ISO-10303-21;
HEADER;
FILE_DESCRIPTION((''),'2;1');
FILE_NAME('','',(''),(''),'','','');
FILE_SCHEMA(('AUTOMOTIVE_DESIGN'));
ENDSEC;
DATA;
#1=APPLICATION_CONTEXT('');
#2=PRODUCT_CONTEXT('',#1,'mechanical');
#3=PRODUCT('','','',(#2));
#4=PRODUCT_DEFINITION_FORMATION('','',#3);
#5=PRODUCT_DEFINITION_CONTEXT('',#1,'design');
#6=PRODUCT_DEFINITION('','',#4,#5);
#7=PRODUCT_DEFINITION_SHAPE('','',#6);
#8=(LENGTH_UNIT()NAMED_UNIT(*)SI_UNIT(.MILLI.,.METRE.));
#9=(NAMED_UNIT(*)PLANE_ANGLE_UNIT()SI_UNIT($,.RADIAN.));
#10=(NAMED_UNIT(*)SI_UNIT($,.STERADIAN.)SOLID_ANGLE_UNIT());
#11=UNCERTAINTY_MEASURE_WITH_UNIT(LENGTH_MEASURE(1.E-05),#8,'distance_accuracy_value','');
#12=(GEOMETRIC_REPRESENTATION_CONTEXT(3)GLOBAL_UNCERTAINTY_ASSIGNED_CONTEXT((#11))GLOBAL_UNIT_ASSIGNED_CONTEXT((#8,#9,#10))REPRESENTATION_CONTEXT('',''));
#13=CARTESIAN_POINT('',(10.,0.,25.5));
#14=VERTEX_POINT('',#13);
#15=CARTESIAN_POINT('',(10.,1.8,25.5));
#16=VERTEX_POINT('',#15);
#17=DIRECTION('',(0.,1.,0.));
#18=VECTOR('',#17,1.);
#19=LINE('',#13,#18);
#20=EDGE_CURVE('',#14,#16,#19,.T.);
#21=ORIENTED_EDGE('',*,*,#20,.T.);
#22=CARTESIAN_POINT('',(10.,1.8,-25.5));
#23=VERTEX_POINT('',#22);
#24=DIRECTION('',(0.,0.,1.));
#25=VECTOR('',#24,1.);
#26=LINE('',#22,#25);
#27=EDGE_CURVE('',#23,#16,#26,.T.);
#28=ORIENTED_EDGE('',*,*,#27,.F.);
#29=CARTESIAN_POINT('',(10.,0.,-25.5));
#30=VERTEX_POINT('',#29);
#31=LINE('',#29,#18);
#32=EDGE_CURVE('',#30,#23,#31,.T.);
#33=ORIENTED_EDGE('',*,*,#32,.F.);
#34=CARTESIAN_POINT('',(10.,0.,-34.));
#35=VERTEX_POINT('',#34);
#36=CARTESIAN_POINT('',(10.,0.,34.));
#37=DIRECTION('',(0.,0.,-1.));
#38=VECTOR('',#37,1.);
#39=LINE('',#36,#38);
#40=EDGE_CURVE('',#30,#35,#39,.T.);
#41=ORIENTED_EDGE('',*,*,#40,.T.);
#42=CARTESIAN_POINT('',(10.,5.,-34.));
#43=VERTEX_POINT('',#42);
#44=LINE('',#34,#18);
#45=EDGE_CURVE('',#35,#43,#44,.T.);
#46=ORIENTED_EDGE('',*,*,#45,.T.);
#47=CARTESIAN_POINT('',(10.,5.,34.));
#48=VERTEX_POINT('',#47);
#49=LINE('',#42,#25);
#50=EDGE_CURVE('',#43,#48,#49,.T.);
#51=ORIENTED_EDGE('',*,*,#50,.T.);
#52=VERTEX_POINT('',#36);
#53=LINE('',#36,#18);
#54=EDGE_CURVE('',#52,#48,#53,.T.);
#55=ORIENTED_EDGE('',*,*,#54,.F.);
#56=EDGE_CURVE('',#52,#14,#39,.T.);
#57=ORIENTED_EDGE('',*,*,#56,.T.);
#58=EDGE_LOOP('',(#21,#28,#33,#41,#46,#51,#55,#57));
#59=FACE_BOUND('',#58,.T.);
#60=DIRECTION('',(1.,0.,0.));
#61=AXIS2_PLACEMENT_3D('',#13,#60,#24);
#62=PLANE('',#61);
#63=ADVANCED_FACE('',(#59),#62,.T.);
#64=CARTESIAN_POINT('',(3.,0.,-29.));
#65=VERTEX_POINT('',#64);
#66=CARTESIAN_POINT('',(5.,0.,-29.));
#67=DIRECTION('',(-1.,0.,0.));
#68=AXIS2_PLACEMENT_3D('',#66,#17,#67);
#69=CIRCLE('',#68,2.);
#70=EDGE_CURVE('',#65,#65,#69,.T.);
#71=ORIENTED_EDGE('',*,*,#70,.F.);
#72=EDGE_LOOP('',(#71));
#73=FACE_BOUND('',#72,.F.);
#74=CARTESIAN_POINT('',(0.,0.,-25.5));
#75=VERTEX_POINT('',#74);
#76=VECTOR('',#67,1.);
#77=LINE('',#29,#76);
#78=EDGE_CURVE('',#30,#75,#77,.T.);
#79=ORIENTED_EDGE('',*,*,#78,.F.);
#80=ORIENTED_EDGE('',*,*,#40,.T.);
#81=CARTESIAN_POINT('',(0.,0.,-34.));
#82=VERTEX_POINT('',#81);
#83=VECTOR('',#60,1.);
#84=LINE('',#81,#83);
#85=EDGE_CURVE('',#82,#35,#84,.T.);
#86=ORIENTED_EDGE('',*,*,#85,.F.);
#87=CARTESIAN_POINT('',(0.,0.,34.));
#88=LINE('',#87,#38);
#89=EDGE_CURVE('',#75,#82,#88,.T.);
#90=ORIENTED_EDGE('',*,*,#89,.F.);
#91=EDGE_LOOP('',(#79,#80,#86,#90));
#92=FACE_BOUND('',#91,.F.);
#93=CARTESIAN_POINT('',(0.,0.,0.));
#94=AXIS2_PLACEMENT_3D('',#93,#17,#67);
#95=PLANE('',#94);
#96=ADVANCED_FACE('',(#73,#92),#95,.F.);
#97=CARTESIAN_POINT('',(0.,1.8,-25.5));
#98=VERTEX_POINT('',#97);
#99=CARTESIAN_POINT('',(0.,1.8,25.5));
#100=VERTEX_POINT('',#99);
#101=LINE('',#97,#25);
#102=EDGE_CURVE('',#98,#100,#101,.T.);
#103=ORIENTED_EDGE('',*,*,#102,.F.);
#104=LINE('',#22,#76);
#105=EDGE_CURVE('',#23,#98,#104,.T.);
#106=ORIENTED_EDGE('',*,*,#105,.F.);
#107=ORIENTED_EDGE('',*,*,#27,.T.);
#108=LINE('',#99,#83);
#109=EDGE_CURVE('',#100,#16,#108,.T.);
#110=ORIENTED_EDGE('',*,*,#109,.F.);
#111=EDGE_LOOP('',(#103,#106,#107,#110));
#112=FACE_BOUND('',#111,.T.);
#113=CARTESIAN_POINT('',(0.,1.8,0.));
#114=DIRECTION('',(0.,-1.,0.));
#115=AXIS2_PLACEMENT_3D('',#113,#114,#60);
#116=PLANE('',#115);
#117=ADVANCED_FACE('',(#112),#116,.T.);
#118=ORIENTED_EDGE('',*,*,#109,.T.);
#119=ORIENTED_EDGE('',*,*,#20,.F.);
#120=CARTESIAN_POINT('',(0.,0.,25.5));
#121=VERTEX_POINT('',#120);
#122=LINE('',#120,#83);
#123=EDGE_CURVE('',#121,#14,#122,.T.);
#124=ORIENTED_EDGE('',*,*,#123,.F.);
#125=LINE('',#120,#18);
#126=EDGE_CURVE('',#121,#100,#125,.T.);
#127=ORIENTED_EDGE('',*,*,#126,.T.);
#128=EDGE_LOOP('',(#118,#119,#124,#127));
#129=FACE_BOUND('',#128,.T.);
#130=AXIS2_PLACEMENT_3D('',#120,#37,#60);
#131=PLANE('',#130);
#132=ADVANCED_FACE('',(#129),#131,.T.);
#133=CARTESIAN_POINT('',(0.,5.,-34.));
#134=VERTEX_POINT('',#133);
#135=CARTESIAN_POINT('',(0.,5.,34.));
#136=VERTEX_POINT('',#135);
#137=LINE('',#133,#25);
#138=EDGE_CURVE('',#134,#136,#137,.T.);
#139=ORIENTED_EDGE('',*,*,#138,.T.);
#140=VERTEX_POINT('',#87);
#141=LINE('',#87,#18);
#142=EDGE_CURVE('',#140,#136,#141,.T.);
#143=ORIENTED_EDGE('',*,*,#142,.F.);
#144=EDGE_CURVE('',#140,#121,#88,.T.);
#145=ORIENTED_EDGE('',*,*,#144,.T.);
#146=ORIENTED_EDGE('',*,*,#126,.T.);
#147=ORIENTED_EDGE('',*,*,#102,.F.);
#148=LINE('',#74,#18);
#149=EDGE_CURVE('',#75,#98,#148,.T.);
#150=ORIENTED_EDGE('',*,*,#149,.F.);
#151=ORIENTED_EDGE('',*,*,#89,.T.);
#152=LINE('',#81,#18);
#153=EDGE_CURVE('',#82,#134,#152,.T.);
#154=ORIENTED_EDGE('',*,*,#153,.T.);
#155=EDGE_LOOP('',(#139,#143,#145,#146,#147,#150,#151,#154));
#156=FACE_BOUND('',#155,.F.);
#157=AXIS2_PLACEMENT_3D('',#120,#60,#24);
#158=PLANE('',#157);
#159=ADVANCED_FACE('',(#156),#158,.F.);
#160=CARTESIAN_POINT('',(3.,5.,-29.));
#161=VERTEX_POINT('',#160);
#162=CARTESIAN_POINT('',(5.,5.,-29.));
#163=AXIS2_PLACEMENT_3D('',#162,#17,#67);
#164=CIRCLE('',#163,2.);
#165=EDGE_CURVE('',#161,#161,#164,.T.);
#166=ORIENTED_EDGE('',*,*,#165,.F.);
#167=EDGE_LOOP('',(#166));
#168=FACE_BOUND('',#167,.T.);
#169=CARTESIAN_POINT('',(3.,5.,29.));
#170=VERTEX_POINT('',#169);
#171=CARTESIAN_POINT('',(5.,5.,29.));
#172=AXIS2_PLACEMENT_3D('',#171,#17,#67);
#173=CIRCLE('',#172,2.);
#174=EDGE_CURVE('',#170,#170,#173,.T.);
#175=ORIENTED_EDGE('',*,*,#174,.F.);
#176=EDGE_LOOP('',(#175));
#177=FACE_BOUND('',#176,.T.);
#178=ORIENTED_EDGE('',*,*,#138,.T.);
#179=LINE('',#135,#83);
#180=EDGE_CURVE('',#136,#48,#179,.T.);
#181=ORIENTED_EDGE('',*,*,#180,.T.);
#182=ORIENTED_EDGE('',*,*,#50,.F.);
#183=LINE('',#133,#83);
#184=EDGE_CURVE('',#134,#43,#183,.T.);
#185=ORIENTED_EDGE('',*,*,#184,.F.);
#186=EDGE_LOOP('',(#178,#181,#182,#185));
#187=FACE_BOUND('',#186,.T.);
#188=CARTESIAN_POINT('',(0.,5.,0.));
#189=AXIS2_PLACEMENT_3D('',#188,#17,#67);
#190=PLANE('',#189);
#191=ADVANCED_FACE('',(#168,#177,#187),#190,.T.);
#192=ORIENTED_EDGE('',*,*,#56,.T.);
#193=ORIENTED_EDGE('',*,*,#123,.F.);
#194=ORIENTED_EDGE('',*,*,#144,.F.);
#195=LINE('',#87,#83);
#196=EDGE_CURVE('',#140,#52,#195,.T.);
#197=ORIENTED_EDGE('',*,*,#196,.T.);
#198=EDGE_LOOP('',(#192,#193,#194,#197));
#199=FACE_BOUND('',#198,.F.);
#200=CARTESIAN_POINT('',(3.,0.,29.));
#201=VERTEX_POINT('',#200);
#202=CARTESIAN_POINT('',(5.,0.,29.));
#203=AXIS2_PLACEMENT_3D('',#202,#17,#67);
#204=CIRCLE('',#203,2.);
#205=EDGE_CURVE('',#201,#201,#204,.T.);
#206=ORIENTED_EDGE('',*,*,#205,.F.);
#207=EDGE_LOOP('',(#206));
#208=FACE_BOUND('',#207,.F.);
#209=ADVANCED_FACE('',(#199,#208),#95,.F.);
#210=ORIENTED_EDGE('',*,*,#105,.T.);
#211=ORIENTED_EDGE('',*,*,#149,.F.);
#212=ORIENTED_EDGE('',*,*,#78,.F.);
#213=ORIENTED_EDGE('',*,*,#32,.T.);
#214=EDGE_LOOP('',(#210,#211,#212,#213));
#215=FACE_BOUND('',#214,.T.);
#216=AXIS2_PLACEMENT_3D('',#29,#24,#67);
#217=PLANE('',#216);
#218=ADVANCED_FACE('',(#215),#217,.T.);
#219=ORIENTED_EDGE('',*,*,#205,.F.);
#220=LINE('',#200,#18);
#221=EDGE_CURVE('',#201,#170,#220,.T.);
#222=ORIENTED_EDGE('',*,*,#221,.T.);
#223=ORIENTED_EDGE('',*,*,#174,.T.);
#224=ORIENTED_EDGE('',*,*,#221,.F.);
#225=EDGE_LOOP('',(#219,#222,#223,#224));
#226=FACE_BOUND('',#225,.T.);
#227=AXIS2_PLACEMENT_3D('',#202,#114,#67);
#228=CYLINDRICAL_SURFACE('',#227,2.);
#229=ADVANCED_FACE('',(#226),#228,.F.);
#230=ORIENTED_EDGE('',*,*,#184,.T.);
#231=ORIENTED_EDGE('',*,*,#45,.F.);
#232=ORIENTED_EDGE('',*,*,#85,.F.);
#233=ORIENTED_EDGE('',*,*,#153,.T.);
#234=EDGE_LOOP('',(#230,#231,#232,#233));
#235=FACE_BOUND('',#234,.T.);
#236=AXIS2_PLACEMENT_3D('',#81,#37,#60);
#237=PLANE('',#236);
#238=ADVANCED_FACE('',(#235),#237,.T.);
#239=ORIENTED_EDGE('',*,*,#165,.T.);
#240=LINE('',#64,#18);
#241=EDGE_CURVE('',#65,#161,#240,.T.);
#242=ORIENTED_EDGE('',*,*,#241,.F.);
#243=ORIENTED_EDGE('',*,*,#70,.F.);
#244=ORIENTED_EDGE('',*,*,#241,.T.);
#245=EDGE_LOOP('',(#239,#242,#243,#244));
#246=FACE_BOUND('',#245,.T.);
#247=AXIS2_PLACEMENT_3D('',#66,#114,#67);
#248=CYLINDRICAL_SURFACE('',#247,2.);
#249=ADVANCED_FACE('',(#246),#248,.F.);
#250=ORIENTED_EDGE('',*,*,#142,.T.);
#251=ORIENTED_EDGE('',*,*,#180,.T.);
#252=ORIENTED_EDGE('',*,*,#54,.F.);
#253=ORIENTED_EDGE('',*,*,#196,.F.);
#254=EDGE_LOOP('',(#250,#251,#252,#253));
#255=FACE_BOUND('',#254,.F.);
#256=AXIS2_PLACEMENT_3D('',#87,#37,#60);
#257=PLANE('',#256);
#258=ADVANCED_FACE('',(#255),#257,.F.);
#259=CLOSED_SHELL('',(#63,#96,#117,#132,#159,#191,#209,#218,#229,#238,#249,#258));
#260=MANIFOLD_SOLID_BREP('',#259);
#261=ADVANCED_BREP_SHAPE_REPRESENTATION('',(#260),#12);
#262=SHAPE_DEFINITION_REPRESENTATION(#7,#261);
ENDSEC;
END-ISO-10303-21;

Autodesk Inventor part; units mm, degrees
ref_plane "YZ Plane" through (0, 0, 0) normal (1, 0, 0) x (0, 1, 0)
ref_plane "XZ Plane" through (0, 0, 0) normal (0, 1, 0) x (-1, 0, 0)
ref_plane "XY Plane" through (0, 0, 0) normal (0, 0, 1) x (1, 0, 0)
sketch "Эскиз1" plane through (0, 0, 0) normal (0, 1, 0) x (-1, 0, 0)
  line L0 (-8, -25.5) -> (-10, -25.5)
  line L1 (-10, -34) -> (-10, -25.5)
  line L2 (0, -34) -> (-10, -34)
  line L3 (0, -34) -> (0, -25.5)
  line L4 (0, -25.5) -> (-2, -25.5)
  line L5 (-2, -25.5) -> (-2, 25.5)
  line L6 (-2, 25.5) -> (0, 25.5)
  line L7 (0, 25.5) -> (0, 34)
  line L8 (0, 34) -> (-10, 34)
  line L9 (-10, 25.5) -> (-10, 34)
  line L10 (-10, 25.5) -> (-8, 25.5)
  line L11 (-8, 25.5) -> (-8, -25.5)
  line L12 (-4, 25.5) -> (-4, -25.5)
  line L13 (-4, -25.5) -> (-6, -25.5)
  line L14 (-6, -25.5) -> (-6, 25.5)
  line L15 (-6, 25.5) -> (-4, 25.5)
  circle A0 centre (-5, 29) radius 2
  circle A1 centre (-5, -29) radius 2
  line L16 (-10, 25.5) -> (-10, -25.5)
  line L17 (-10, -25.5) -> (-8, -25.5)
  line L18 (-8, -25.5) -> (-8, 25.5)
  line L19 (-8, 25.5) -> (-10, 25.5)
  line L20 (0, 25.5) -> (-2, 25.5)
  line L21 (-2, 25.5) -> (-2, -25.5)
  line L22 (-2, -25.5) -> (0, -25.5)
  line L23 (0, -25.5) -> (0, 25.5)
  point P0 (0, 0)
  point P1 (0, 0)
extrude "Выдавливание1" add sketch "Эскиз1" along normal blind 5 contours L11 L10 L9 L8 L7 L6 L5 L4 L3 L2 L1 L0 | L0 L16 L10 L11 | L4 L5 L6 L23 | L12 L13 L14 L15
sketch "Эскиз2" plane through (0, 0, 0) normal (0, -1, 0) x (1, 0, 0)
  line L0 (10, 34) -> (10, -34) projected
  line L1 (10, 0) -> (0, 0)
  line L2 (0, -34) -> (0, 34) projected
  line L3 (0, 25.5) -> (10, 25.5)
  line L4 (10, 25.5) -> (10, -25.5)
  line L5 (10, -25.5) -> (0, -25.5)
  line L6 (0, -25.5) -> (0, 25.5)
  line L7 (0, 25.5) -> (10, -25.5) construction
  line L8 (10, 25.5) -> (0, -25.5) construction
  point P0 (5, 0)
  dimension "d2" = 51
extrude "Выдавливание2" cut sketch "Эскиз2" against normal blind 1.8
properties part number "КВ33.044.305 - Прижим ремня" material "Пластик АБС"
